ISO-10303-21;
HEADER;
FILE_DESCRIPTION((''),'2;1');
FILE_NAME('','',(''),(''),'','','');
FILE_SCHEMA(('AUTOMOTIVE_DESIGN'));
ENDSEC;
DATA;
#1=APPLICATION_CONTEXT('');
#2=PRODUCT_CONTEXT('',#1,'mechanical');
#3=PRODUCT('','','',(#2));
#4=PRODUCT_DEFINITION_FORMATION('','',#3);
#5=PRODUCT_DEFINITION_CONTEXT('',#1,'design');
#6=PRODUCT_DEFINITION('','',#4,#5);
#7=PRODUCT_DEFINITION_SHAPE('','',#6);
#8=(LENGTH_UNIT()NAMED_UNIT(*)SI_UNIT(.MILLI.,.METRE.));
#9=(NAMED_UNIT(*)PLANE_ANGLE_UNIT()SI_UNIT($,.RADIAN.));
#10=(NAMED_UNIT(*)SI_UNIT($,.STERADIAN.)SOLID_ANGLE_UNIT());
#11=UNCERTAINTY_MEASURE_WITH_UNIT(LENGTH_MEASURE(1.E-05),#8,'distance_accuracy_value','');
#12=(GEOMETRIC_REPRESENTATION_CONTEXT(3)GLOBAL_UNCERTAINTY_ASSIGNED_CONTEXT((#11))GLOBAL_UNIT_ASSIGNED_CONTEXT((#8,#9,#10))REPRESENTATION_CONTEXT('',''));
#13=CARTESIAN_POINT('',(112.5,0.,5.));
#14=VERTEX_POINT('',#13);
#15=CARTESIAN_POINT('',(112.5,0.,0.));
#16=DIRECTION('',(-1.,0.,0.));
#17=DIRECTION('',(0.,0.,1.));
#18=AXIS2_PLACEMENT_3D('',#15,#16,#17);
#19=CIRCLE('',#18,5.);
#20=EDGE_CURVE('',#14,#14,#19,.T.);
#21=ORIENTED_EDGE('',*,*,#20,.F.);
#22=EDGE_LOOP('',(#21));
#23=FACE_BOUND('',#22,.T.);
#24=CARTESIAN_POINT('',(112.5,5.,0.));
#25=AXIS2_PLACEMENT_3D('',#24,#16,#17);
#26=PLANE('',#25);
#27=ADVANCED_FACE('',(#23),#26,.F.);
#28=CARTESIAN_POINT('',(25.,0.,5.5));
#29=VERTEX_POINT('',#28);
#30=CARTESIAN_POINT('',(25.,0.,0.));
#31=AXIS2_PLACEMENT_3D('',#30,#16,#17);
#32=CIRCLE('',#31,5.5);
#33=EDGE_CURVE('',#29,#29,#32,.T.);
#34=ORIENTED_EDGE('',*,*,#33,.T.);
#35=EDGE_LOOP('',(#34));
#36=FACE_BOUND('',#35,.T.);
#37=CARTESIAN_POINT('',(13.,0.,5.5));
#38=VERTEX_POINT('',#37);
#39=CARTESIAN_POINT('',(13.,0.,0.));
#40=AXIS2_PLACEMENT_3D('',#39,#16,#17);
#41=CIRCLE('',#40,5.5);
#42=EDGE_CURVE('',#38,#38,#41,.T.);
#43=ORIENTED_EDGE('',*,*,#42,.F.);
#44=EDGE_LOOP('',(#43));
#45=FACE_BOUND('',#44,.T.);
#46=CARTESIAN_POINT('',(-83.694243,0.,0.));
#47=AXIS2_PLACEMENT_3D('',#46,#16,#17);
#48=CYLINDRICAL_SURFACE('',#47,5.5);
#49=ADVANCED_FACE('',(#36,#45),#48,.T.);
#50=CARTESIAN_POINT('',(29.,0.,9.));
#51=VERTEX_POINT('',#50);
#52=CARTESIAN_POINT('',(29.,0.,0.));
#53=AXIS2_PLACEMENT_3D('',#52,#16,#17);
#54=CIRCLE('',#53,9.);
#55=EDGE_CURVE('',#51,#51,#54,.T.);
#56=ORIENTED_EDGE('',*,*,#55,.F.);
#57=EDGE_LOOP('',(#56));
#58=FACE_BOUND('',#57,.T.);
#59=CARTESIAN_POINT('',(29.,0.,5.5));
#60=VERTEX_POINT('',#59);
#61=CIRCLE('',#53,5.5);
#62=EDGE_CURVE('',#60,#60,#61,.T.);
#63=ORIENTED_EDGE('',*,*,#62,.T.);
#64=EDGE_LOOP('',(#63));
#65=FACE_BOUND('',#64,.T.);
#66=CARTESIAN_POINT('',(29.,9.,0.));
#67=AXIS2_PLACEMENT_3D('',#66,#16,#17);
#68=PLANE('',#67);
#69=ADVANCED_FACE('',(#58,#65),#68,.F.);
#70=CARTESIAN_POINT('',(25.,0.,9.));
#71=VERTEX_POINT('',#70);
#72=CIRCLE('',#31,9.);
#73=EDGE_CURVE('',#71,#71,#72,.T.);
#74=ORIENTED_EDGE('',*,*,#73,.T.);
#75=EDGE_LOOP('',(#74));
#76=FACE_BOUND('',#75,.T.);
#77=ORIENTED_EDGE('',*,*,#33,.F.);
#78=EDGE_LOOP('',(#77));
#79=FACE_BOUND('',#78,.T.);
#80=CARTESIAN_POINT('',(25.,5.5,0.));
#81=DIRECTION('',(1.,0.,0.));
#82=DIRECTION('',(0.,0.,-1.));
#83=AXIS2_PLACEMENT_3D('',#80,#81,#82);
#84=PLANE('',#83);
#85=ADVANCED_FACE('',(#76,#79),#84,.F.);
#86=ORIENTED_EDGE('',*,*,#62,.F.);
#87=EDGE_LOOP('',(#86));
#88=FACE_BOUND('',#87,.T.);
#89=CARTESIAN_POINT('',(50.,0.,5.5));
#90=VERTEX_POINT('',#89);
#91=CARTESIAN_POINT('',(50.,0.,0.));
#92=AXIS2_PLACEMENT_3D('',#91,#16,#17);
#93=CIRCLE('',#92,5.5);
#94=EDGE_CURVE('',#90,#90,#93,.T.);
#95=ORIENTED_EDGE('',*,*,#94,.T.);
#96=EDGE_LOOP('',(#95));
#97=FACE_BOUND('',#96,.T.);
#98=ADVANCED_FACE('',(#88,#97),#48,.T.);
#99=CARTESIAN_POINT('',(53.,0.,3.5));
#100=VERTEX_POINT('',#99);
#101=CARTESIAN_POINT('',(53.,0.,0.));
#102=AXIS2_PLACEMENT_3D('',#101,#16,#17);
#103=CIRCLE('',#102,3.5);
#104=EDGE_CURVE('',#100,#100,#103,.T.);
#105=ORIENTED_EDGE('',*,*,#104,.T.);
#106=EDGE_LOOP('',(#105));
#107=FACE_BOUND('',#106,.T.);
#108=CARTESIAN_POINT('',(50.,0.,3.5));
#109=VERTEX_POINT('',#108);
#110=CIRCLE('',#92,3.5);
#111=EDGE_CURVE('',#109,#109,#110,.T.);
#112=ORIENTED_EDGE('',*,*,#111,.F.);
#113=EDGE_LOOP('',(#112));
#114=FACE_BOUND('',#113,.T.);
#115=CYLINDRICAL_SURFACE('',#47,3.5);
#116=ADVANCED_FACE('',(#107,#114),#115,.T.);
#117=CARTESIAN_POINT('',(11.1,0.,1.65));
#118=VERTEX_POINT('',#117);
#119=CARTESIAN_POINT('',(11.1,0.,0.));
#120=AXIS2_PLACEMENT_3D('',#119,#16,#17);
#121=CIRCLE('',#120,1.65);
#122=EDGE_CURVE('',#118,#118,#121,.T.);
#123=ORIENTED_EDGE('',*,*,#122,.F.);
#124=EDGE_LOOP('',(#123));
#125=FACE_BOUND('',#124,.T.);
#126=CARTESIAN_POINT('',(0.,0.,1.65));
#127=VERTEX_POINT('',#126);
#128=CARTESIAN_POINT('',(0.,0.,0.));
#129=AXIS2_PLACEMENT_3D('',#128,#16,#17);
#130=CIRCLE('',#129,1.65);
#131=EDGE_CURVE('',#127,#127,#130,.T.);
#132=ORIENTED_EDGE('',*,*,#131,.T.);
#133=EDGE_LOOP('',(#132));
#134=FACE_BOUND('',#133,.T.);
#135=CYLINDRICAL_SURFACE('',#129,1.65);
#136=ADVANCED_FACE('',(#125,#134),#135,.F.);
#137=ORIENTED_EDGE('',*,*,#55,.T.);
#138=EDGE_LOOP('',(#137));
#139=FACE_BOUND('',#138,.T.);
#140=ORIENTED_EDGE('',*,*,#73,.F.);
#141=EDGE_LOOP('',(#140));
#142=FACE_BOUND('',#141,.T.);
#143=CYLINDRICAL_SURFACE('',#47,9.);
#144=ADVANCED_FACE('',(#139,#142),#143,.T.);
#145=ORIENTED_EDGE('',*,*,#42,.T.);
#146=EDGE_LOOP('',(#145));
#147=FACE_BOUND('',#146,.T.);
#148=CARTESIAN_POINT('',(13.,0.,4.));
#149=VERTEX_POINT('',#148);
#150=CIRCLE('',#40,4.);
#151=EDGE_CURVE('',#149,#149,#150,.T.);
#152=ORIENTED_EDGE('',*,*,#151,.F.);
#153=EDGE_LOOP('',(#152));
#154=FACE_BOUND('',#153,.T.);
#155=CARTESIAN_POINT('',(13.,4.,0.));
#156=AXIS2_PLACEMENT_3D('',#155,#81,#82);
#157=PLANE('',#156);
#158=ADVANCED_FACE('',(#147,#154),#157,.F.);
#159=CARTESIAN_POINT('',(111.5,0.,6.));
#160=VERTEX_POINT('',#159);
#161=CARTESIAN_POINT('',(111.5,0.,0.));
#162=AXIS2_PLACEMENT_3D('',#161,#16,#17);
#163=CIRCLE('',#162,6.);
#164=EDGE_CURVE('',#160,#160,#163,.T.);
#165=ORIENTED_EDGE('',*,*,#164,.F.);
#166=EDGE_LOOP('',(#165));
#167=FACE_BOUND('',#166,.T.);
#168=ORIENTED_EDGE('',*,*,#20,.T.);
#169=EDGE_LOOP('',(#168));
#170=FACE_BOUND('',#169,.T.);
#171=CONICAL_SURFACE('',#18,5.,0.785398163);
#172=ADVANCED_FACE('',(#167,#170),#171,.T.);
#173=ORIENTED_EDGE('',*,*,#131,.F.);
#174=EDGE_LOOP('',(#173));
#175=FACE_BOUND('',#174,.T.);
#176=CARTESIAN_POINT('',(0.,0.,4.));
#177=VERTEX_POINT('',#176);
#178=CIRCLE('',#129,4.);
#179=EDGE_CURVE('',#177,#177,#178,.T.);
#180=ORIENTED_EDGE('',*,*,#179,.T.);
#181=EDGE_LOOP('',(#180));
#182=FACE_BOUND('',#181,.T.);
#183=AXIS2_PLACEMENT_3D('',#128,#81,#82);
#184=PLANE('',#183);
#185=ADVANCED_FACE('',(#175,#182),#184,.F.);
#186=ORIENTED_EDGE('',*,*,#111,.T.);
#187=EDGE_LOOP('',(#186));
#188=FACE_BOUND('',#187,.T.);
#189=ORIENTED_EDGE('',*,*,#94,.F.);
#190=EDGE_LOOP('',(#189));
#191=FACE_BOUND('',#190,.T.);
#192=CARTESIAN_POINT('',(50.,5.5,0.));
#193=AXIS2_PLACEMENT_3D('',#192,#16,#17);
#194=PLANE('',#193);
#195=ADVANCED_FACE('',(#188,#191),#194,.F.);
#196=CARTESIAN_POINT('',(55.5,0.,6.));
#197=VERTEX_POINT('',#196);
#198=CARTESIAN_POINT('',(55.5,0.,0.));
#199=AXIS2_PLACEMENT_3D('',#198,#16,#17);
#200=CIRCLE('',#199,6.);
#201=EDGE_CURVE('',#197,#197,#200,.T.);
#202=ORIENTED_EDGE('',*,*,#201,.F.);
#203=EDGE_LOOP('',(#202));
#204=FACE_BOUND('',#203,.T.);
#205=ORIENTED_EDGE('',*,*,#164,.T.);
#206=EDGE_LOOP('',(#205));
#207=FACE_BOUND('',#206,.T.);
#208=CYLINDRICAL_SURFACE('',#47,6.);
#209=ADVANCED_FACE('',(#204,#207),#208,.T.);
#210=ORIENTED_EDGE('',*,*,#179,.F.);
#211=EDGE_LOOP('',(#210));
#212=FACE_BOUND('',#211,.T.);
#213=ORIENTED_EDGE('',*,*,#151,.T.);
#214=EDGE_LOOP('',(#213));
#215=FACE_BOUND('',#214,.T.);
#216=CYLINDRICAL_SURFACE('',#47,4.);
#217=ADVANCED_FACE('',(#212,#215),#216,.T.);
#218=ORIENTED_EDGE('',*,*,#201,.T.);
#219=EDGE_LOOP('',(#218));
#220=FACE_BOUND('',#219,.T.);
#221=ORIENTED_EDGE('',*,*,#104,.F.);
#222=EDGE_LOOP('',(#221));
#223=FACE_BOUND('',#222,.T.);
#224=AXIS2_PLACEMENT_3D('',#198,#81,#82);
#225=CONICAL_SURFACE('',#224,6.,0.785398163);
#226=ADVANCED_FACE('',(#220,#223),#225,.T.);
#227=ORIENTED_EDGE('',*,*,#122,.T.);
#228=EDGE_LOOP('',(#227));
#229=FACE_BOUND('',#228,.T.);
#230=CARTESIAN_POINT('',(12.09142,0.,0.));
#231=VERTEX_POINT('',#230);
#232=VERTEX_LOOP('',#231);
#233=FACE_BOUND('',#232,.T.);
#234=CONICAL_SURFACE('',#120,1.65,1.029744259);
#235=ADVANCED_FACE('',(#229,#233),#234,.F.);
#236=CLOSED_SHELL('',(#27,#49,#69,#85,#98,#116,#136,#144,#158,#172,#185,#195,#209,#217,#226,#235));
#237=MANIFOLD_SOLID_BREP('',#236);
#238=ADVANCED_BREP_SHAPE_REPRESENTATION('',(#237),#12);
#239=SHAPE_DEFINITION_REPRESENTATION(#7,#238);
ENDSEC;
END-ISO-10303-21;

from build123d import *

# Parameters (mm, degrees)
TROU_TARAUD_M42_D     = 3.3
TROU_TARAUD_M42_DEPTH = 11.1
TROU_TARAUD_M42_TIP   = 0.991420021


with BuildPart() as part:
    # Esquisse1 → Révolution1 (revolve)
    with BuildSketch(Plane.XY, mode=Mode.PRIVATE) as r_volution1_sk:
        Polygon((0, 0), (0, 4), (13, 4), (13, 5.5), (25, 5.5), (25, 9), (29, 9), (29, 5.5), (50, 5.5), (50, 3.5), (53, 3.5), (55.5, 6), (111.5, 6), (112.5, 5), (112.5, 0), align=None)
    revolve(r_volution1_sk.sketch.rotate(Axis((-83.694243421, 0, 0), (1, 0, 0)), 90), axis=Axis((-83.694243421, 0, 0), (1, 0, 0)))

    # Trou taraudé M42
    with Locations(Plane.ZY):
        with Locations((0, 0)):
            Hole(TROU_TARAUD_M42_D / 2, depth=TROU_TARAUD_M42_DEPTH)
            with Locations((0, 0, -(TROU_TARAUD_M42_DEPTH + TROU_TARAUD_M42_TIP / 2))):  # 118° drill point
                Cone(0, TROU_TARAUD_M42_D / 2, TROU_TARAUD_M42_TIP, mode=Mode.SUBTRACT)


solid = part.part
